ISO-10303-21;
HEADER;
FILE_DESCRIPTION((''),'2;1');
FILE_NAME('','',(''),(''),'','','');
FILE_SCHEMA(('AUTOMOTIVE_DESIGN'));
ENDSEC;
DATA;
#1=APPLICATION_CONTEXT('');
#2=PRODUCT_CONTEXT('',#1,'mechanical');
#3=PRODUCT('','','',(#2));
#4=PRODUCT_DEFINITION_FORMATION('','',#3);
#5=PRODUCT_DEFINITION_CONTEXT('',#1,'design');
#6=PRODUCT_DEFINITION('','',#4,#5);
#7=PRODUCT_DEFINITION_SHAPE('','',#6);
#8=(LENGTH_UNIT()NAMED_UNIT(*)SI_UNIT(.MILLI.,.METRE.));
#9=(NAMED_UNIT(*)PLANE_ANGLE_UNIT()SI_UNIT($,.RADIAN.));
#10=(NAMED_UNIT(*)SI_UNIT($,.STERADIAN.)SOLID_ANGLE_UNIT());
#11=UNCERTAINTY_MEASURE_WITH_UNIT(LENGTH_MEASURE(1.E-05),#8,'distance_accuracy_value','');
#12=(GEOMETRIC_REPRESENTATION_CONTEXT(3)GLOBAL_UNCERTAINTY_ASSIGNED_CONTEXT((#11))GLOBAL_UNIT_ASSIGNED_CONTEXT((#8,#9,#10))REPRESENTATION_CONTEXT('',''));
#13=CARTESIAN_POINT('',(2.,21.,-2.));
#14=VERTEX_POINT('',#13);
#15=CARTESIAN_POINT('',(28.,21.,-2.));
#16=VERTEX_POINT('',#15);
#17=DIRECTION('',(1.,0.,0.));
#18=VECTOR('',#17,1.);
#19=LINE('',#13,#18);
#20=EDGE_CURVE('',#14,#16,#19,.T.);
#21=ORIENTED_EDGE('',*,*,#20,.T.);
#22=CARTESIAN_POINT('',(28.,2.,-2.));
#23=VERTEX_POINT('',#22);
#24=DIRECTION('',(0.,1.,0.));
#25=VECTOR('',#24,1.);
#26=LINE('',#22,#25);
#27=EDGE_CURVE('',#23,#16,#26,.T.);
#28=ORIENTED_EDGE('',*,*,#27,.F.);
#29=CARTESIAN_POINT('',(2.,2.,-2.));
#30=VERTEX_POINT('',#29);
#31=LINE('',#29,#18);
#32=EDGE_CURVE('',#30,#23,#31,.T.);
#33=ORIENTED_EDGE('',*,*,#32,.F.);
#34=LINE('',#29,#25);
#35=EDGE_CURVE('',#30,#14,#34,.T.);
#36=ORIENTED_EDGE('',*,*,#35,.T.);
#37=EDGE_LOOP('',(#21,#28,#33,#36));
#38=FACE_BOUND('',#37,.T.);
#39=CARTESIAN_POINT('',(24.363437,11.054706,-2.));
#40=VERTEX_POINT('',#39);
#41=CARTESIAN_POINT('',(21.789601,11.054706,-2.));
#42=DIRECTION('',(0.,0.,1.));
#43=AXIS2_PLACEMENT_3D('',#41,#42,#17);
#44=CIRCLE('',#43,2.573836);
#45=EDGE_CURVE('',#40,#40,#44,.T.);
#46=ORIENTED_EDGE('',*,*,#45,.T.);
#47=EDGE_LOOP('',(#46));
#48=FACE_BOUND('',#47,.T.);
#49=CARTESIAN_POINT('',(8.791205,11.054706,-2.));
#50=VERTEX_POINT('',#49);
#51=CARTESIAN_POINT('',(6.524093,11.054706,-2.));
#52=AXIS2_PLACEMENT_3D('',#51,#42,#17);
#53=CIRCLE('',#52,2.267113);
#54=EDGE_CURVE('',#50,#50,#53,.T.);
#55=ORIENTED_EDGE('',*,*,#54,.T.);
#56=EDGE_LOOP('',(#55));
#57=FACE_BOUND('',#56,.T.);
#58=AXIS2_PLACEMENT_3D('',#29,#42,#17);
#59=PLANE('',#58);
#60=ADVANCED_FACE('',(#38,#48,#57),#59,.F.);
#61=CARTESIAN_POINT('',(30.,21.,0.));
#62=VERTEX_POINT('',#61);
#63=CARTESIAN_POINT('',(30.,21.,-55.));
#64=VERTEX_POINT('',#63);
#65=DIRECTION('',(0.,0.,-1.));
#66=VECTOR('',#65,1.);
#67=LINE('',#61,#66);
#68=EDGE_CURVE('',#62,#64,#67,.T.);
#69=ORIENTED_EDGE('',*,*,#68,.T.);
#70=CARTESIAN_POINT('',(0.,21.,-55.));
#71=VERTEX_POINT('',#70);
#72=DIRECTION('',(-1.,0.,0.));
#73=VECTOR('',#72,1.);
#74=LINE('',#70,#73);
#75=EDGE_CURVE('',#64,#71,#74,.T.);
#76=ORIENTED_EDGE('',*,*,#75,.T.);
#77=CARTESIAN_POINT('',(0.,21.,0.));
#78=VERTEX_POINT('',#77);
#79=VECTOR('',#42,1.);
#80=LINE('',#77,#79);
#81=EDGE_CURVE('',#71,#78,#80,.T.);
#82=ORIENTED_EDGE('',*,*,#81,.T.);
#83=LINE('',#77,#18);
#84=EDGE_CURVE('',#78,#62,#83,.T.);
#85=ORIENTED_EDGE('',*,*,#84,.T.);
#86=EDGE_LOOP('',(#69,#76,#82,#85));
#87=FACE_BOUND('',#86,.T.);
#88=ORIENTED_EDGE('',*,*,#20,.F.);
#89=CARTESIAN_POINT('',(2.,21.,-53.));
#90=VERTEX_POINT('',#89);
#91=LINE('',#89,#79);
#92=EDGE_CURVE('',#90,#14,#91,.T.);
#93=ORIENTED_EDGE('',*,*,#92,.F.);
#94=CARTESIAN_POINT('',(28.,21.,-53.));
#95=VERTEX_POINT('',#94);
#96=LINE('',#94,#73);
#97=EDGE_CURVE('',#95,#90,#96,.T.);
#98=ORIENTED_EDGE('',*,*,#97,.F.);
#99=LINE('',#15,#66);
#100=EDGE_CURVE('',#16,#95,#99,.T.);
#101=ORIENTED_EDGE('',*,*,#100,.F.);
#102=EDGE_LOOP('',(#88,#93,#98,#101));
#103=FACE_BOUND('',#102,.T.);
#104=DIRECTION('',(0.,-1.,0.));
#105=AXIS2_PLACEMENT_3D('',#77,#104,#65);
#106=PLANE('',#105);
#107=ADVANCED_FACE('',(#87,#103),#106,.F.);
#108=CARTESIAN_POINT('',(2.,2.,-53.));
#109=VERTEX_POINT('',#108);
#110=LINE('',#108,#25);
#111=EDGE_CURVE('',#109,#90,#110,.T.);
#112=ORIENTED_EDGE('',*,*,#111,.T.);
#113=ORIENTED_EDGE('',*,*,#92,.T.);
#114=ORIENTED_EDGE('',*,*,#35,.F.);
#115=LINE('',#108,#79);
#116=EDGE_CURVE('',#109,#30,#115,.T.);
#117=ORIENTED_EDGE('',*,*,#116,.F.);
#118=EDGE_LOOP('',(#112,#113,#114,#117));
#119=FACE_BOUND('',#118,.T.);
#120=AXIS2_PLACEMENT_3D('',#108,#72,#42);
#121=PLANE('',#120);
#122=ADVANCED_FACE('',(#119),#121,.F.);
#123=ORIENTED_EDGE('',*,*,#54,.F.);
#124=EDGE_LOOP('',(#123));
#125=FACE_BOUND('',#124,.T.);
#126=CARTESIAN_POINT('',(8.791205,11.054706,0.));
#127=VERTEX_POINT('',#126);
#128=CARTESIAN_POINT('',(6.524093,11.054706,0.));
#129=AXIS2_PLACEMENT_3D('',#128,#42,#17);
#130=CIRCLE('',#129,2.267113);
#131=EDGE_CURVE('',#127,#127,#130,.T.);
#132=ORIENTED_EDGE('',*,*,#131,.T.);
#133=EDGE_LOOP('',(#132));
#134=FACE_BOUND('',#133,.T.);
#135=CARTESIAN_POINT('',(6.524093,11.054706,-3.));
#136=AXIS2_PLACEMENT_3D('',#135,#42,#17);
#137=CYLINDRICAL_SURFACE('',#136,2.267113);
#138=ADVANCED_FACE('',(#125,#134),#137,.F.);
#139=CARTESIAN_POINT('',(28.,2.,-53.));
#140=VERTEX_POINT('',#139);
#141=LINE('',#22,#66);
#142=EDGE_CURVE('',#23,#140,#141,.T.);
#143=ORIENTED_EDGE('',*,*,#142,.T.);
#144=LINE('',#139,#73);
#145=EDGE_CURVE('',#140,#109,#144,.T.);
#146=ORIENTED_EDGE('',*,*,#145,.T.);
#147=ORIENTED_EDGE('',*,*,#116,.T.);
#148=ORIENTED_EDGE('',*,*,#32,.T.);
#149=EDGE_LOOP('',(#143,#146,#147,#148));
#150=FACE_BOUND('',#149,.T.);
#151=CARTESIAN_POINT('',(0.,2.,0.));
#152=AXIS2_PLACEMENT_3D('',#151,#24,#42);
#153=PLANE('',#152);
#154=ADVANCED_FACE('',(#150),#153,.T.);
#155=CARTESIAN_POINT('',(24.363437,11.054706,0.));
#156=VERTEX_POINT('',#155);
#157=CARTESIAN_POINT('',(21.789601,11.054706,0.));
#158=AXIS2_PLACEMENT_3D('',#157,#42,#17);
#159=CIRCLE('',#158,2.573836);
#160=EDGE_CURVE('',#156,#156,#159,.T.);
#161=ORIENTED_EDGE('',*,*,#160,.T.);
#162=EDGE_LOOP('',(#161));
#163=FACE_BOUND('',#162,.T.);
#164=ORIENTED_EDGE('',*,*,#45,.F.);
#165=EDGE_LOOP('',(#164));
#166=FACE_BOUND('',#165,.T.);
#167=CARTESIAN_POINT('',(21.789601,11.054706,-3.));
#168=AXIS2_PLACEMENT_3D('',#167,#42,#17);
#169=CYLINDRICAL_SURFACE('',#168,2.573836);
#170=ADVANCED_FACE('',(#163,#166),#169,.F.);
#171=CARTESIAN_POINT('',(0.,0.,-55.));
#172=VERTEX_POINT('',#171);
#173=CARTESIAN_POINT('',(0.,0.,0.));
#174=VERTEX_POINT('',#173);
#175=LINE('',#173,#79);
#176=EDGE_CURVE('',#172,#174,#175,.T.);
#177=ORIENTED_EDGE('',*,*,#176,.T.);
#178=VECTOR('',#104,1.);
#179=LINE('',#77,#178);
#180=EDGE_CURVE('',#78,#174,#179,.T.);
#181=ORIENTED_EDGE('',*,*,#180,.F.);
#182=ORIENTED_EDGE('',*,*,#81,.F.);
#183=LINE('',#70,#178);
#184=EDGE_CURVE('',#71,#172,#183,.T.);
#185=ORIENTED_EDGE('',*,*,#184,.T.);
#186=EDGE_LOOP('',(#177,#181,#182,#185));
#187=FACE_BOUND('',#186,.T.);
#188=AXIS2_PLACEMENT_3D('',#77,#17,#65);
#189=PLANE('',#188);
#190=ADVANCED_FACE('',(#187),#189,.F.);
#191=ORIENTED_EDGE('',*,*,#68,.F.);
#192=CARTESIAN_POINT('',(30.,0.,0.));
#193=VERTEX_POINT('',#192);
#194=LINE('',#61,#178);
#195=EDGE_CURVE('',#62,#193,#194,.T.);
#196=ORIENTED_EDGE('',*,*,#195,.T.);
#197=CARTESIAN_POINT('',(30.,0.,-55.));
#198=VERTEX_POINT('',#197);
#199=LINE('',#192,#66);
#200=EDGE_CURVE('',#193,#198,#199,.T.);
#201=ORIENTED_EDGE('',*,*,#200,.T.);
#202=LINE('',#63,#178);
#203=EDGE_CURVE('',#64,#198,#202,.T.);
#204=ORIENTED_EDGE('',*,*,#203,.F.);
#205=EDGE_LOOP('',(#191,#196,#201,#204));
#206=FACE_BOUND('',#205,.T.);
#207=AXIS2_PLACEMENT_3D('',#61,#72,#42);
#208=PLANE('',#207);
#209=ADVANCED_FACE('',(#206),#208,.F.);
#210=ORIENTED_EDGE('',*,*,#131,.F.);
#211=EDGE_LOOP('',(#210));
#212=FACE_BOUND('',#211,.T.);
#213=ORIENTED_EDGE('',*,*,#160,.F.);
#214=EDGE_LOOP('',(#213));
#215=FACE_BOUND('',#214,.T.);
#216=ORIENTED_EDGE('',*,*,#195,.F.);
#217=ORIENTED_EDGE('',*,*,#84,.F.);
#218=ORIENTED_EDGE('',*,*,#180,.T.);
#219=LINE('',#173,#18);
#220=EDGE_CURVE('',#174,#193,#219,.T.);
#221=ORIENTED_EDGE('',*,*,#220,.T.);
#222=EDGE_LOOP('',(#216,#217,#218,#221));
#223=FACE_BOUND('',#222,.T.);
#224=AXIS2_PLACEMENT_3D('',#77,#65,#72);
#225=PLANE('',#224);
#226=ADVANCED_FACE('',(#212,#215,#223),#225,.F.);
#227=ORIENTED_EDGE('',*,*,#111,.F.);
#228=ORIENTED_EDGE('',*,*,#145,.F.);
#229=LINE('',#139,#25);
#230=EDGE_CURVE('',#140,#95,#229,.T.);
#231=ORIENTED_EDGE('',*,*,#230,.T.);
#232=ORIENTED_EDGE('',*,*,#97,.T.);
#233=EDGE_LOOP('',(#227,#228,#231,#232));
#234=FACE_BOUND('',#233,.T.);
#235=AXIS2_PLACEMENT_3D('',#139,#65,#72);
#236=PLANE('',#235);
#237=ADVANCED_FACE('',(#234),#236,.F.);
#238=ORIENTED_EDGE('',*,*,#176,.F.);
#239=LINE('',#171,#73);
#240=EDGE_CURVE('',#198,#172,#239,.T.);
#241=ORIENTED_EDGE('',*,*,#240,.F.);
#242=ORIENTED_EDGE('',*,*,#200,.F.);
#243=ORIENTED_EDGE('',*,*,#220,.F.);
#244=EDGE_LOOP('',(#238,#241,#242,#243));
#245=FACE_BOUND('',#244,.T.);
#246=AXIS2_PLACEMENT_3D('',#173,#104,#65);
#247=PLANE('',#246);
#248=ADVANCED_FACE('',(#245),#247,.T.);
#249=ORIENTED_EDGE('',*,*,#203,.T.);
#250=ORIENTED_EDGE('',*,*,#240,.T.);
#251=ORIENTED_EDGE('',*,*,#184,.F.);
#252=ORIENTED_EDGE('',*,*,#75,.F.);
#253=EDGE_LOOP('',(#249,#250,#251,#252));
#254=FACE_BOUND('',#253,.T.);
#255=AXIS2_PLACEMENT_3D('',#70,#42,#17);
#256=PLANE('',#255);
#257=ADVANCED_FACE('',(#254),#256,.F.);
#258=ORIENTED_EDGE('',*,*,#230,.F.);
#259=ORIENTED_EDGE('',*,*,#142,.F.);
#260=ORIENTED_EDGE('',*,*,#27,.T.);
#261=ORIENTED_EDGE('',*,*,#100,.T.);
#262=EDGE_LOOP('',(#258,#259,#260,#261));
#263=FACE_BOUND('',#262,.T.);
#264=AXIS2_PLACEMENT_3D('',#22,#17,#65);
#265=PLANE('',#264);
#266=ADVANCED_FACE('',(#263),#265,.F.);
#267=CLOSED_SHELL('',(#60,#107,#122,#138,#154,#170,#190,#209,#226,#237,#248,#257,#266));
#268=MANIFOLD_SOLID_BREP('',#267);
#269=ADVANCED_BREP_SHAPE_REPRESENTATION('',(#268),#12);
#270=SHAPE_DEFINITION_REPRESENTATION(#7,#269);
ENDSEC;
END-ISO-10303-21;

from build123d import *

# Parameters (mm, degrees)
SKETCH_1_W          = 30
SKETCH_1_H          = 55
EXTRUDE_1_DEPTH     = 21
SKETCH_2_W          = 26
SKETCH_2_H          = 51
CUT_EXTRUDE_1_DEPTH = 19
SKETCH_3_R          = 2.2671126
SKETCH_3_R_2        = 2.57383576
CUT_EXTRUDE_2_DEPTH = 3


with BuildPart() as part:
    # Эскиз1 → Бобышка-Вытянуть1 (new body)
    with BuildSketch(Plane(origin=(0, 0, 0), x_dir=(1, 0, 0), z_dir=(0, 1, 0))):
        with Locations((15, 27.5)):
            Rectangle(SKETCH_1_W, SKETCH_1_H)
    extrude(amount=EXTRUDE_1_DEPTH)

    # Эскиз2 → Вырез-Вытянуть1 (cut)
    with BuildSketch(Plane(origin=(0, 21, 0), x_dir=(1, 0, 0), z_dir=(0, 1, 0))):
        with Locations((15, 27.5)):
            Rectangle(SKETCH_2_W, SKETCH_2_H)
    extrude(amount=-CUT_EXTRUDE_1_DEPTH, mode=Mode.SUBTRACT)

    # Эскиз3 → Вырез-Вытянуть2 (cut)
    with BuildSketch(Plane.XY):
        with Locations((6.524092584, 11.054705983)):
            Circle(SKETCH_3_R)
        with Locations((21.789601228, 11.054705983)):
            Circle(SKETCH_3_R_2)
    extrude(amount=-CUT_EXTRUDE_2_DEPTH, mode=Mode.SUBTRACT)


solid = part.part
